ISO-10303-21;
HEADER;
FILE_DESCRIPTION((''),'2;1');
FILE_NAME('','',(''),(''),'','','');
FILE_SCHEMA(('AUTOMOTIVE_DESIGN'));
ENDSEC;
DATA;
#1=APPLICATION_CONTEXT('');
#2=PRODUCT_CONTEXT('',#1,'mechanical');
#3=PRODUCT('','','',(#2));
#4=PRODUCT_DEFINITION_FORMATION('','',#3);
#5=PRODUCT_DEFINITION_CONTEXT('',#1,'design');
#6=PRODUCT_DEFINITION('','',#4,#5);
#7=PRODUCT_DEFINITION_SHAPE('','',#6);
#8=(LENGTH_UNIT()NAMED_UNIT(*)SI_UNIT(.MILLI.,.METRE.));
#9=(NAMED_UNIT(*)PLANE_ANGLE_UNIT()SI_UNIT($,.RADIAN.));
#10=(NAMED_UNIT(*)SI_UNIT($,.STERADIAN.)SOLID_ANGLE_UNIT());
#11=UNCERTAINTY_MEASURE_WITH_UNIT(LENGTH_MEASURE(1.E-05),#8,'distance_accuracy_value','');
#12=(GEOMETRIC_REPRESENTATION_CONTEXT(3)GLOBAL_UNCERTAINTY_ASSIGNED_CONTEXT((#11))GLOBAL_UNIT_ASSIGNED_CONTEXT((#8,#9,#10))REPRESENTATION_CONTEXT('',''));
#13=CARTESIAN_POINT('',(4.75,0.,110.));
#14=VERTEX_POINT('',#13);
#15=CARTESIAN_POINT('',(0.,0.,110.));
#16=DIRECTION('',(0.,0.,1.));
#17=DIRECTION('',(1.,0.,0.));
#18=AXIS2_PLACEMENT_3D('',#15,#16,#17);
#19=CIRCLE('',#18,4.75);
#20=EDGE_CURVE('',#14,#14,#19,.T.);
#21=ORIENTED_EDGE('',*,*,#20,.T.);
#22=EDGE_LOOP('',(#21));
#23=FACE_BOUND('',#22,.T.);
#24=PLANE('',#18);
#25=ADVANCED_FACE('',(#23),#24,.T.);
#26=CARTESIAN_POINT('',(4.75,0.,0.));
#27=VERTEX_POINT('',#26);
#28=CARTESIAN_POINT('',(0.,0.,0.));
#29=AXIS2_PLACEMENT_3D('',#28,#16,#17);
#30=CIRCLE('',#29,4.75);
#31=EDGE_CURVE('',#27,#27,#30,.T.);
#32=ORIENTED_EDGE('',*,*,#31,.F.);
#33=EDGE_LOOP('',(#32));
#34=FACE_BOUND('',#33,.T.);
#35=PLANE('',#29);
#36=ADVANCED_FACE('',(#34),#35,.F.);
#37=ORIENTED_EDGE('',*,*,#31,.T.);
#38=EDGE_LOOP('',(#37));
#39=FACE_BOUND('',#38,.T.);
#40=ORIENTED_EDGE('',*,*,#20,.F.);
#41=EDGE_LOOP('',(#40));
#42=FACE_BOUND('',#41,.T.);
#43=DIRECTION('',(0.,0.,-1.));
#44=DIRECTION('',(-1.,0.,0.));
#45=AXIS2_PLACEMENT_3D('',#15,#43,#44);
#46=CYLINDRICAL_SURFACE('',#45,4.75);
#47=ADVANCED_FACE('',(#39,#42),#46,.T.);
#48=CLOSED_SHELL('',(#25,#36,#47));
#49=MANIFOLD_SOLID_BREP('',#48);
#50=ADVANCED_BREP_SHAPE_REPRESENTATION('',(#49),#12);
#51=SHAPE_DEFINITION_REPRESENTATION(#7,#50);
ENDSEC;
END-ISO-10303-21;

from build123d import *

# Parameters (mm, degrees)
CROQUIS1_R              = 4.75
SALIENTE_EXTRUIR1_DEPTH = 110


with BuildPart() as part:
    # Croquis1 → Saliente-Extruir1 (new body)
    with BuildSketch(Plane.XY):
        Circle(CROQUIS1_R)
    extrude(amount=SALIENTE_EXTRUIR1_DEPTH)


solid = part.part
